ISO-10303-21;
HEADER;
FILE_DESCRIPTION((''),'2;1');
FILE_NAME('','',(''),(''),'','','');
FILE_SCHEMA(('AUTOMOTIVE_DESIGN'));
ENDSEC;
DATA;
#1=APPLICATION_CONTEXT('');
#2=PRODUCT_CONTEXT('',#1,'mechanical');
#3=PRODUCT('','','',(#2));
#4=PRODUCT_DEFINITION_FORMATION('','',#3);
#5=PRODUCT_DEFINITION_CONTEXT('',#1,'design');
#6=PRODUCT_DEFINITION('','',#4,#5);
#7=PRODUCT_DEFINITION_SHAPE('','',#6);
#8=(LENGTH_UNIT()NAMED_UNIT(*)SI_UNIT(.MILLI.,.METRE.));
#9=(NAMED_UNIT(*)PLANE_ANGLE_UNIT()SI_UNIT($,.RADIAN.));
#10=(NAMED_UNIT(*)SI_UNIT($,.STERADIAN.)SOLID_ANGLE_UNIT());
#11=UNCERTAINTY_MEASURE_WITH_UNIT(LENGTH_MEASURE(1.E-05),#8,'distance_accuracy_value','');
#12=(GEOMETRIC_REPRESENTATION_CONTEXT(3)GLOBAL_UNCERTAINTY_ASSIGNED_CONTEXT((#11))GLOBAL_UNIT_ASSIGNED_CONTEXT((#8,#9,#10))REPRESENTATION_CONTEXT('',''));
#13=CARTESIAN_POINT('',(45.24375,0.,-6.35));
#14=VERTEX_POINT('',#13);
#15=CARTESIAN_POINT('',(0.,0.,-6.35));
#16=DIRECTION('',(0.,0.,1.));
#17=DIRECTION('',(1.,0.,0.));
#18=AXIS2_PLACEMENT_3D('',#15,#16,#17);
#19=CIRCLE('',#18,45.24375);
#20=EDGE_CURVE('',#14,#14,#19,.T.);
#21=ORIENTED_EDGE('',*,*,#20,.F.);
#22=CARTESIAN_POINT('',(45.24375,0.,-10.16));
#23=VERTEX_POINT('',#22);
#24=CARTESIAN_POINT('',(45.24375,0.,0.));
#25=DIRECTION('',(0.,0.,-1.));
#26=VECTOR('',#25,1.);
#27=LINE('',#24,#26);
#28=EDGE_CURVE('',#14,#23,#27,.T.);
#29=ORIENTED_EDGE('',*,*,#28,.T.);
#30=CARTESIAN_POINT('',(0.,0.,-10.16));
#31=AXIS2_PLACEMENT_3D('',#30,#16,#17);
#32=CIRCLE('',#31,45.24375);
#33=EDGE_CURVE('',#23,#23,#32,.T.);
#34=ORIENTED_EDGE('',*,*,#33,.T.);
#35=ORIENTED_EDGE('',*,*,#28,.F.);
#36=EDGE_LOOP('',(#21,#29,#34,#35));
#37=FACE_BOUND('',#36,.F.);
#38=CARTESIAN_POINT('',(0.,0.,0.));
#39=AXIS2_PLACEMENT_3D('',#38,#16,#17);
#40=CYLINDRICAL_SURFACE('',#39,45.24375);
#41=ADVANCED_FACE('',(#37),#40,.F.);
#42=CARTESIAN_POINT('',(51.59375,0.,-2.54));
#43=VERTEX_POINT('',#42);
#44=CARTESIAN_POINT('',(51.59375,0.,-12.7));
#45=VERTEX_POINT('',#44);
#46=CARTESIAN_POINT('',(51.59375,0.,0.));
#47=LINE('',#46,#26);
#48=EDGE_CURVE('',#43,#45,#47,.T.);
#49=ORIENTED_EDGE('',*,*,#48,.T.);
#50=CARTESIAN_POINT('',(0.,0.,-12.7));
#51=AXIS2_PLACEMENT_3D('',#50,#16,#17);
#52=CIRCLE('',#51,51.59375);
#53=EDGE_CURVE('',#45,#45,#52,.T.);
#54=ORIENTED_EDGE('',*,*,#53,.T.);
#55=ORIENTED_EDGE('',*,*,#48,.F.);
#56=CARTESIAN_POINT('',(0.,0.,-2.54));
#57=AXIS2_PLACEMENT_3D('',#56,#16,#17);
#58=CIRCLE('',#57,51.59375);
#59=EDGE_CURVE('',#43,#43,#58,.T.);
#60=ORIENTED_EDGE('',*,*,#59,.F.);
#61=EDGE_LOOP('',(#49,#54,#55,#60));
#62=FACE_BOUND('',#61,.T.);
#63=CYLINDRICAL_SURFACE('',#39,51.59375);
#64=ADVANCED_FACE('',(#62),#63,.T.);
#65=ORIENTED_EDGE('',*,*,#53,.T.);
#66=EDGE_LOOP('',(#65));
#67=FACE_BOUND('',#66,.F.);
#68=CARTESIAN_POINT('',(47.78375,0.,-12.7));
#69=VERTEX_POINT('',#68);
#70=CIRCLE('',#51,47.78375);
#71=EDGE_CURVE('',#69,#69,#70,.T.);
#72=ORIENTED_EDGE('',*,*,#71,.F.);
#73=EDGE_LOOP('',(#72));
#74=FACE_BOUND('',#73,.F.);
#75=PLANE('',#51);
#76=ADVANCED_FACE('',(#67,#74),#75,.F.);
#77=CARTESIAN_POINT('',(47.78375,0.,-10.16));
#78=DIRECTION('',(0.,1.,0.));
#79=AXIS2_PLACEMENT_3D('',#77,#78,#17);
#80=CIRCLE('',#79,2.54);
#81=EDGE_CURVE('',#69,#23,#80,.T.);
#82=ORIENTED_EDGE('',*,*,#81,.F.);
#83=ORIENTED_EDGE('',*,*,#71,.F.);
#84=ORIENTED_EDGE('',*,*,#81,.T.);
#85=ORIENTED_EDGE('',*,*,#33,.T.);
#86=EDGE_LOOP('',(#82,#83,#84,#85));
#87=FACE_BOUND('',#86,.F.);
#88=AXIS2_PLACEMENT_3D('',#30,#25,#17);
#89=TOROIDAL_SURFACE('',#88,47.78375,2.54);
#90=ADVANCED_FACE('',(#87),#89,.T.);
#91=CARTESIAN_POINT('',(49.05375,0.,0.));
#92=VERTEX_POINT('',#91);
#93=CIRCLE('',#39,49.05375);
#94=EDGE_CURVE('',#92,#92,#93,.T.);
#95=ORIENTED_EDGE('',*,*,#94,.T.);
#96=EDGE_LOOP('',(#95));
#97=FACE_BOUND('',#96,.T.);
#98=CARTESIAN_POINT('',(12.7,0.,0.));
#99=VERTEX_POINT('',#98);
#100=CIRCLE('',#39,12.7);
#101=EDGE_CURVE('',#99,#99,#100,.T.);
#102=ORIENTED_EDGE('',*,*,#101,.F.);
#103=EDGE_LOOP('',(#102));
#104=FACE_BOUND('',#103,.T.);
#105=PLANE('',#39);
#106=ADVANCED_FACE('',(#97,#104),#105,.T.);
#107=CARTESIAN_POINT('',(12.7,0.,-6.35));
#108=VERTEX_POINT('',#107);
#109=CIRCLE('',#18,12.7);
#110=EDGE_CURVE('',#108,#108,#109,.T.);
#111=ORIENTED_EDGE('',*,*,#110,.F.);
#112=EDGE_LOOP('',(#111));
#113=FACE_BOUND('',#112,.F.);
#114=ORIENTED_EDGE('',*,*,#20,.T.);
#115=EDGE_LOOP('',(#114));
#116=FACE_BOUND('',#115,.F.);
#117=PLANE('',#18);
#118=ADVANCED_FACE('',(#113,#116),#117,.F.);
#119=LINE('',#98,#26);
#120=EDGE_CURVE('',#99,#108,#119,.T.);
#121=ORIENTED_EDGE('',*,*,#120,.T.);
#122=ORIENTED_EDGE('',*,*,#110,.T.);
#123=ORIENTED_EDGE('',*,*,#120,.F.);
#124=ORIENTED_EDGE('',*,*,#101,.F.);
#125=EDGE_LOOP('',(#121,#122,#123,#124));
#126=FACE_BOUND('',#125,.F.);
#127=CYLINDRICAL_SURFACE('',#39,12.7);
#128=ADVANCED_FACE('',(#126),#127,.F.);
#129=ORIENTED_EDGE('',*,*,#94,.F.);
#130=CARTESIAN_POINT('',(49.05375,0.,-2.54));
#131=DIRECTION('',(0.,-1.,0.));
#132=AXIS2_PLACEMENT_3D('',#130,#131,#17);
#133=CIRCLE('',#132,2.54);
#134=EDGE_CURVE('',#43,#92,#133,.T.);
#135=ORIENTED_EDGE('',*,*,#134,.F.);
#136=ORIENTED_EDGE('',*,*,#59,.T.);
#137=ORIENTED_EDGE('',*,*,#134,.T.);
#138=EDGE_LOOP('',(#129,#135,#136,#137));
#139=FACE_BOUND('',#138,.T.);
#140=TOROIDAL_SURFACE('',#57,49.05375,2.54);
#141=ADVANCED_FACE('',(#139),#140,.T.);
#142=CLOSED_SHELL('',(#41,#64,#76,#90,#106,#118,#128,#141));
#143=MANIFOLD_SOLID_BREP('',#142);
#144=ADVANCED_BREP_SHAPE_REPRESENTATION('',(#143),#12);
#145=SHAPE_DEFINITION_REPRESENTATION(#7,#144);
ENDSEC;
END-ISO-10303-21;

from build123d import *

# Parameters (mm, degrees)
F0_R     = 45.24375
F0_R_2   = 12.7
F1_DEPTH = 6.35
F0_R_3   = 51.59375
F2_DEPTH = 12.7
F3_R     = 2.54
F4_R     = 2.54


with BuildPart() as f1:
    # F0 (on Top) → F1 (new body)
    with BuildSketch(Plane.XY):
        Circle(F0_R)
        Circle(F0_R_2, mode=Mode.SUBTRACT)
    extrude(amount=-F1_DEPTH)

    # F0 (on Top) → F2 (join)
    with BuildSketch(Plane.XY):
        Circle(F0_R_3)
        Circle(F0_R, mode=Mode.SUBTRACT)
    extrude(amount=-F2_DEPTH)

    # F3
    f3_edges = [f1.edges().sort_by_distance(p)[0] for p in [
        (-51.59375, 0, 0),
    ]]
    fillet(f3_edges, radius=F3_R)

    # F4
    f4_edges = [f1.edges().sort_by_distance(p)[0] for p in [
        (-45.24375, 0, -12.7),
    ]]
    fillet(f4_edges, radius=F4_R)


solid = f1.part
